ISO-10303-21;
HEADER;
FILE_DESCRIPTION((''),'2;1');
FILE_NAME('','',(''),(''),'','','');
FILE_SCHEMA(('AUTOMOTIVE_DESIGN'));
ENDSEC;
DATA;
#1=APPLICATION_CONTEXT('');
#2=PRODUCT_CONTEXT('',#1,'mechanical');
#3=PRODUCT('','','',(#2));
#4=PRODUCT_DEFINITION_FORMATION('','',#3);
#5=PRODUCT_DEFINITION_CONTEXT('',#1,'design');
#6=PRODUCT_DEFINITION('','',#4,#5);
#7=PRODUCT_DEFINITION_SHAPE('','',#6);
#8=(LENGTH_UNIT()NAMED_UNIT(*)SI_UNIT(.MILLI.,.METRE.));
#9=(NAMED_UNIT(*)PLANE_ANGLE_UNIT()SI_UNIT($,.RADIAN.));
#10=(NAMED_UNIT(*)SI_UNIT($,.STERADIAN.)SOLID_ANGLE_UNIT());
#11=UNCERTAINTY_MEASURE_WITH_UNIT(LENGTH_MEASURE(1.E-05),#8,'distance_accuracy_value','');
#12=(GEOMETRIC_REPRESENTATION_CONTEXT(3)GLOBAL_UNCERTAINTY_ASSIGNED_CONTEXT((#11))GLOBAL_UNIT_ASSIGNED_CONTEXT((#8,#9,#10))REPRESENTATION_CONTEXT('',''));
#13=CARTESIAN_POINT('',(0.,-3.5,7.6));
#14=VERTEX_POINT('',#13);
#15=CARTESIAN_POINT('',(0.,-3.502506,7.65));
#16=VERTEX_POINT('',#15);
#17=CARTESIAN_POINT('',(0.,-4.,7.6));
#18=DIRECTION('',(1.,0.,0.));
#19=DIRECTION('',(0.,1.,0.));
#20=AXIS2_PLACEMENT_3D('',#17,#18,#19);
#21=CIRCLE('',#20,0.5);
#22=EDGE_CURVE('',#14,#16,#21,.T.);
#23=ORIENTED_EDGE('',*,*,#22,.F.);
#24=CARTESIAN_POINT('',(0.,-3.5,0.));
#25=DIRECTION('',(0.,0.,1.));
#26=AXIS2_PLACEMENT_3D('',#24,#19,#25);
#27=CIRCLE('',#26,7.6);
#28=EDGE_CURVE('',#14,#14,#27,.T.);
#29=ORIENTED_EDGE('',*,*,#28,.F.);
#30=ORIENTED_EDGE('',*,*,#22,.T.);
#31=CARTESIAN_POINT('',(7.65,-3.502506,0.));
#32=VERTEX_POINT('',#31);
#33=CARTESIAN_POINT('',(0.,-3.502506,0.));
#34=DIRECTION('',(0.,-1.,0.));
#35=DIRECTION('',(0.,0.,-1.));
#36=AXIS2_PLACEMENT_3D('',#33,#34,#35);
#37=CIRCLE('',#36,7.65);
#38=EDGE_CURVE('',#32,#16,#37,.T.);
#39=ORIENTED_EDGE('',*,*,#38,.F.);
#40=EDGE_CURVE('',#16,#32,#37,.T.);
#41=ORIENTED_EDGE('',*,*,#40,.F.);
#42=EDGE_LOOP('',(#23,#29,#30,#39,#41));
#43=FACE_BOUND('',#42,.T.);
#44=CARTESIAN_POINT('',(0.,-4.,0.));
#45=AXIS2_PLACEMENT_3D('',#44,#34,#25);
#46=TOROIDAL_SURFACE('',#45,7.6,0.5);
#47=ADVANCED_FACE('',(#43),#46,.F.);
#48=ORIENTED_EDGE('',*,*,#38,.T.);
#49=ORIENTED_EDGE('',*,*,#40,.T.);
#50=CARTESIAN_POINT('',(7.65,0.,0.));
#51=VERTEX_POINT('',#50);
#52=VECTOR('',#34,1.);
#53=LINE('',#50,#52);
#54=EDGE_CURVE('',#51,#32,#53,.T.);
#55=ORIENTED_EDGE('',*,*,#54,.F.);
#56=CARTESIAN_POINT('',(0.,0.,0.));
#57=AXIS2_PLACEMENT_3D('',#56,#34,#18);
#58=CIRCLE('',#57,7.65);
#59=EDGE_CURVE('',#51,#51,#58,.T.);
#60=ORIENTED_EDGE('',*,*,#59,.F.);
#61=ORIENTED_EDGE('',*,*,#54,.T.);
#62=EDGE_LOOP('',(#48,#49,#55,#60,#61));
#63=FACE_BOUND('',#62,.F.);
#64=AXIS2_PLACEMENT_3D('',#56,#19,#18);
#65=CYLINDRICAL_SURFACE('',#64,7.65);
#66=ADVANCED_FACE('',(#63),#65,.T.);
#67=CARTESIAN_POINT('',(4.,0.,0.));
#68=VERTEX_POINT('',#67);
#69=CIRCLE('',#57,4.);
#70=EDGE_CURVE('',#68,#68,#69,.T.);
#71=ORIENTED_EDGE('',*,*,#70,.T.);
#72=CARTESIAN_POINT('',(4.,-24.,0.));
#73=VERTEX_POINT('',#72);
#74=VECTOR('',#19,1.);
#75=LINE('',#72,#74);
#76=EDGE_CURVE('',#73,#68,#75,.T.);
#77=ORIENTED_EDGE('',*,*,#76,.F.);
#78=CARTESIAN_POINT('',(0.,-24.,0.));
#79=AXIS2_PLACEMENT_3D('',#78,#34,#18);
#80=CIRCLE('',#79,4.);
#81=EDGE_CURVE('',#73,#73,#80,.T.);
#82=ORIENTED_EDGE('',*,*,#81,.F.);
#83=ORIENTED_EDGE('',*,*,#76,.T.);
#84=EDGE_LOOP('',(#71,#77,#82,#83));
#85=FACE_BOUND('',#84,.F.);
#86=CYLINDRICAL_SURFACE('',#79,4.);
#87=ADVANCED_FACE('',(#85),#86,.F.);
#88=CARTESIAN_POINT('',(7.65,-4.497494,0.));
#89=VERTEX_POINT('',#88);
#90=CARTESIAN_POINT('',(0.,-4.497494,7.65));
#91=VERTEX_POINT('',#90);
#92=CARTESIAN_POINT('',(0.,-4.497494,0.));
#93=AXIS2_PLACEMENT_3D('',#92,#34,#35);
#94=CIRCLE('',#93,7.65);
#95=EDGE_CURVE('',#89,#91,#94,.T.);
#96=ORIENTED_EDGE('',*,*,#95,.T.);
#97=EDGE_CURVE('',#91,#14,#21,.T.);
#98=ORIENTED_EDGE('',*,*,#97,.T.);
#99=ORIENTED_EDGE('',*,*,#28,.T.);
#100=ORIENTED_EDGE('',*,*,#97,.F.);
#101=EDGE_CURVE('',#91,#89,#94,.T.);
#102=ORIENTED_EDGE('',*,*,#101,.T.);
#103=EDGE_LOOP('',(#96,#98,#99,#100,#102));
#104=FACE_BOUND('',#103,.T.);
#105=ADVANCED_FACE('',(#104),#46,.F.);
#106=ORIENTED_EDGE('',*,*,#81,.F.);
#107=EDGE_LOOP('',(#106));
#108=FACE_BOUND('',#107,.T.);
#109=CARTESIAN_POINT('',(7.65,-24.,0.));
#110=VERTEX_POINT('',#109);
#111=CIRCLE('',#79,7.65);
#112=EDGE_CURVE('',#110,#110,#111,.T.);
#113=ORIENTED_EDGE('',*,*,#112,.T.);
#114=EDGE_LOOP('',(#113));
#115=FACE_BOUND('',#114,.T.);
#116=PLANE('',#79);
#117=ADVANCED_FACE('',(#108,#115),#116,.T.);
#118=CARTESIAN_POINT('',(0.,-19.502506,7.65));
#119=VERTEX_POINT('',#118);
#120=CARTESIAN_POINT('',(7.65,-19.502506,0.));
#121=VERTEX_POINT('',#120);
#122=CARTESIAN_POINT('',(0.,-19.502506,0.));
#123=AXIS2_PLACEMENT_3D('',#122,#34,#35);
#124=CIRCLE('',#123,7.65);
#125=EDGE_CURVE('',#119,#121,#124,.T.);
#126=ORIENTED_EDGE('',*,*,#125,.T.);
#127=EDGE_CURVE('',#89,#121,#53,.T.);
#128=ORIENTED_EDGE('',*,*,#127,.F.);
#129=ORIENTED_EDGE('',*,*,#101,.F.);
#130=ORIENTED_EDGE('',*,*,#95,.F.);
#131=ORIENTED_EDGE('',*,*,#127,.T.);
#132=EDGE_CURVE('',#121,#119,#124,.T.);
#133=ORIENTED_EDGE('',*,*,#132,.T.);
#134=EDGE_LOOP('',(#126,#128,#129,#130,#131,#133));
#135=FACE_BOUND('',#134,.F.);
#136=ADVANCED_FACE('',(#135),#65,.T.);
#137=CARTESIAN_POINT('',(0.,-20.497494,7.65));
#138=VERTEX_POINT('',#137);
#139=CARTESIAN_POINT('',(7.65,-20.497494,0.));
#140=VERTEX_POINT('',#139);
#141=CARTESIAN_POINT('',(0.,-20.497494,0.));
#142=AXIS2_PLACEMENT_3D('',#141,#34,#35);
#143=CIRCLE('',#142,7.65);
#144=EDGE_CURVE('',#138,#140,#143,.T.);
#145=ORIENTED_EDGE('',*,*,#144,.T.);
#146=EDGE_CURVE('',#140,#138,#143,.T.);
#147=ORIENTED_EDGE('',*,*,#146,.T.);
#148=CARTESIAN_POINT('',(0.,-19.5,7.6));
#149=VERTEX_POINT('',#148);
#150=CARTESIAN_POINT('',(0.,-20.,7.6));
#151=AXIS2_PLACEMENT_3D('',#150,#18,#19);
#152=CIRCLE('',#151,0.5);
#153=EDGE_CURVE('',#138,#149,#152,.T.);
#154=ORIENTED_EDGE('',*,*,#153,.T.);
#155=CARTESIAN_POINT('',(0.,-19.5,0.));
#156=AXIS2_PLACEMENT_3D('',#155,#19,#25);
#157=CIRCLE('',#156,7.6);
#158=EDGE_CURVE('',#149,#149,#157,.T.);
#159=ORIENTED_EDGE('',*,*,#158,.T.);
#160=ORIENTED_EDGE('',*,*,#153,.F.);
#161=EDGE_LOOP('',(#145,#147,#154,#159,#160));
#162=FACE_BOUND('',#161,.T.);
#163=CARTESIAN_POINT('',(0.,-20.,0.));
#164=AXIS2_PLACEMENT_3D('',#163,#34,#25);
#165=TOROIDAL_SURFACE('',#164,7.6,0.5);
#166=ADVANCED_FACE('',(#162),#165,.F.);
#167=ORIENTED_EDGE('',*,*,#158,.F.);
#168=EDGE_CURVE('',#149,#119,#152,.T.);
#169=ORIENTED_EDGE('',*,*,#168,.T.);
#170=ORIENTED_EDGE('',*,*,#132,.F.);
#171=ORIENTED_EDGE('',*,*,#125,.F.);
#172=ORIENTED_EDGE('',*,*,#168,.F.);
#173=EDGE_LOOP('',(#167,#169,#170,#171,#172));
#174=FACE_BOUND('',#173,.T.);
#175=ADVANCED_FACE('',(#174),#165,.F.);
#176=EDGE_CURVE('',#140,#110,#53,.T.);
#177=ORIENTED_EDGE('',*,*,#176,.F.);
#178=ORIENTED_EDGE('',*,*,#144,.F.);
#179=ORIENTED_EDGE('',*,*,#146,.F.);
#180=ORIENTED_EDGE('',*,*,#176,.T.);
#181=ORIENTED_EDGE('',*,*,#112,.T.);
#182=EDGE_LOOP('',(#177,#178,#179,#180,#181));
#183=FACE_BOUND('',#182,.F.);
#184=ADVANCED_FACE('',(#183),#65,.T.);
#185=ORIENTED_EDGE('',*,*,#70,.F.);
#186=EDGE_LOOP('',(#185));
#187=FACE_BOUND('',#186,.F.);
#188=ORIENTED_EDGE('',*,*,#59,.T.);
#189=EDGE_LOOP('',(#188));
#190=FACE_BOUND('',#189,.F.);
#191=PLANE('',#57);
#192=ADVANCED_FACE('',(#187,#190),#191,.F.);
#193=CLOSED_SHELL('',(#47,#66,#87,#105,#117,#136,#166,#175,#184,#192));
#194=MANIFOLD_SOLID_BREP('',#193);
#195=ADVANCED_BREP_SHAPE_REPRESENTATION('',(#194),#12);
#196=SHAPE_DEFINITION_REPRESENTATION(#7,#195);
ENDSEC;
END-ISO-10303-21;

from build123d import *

# Parameters (mm, degrees)
F0_R     = 7.65
F1_DEPTH = 24
F2_R     = 4
F3_DEPTH = 25
F4_R     = 0.5


with BuildPart() as f1:
    # F0 (on Front) → F1 (new body)
    with BuildSketch(Plane.XZ):
        Circle(F0_R)
    extrude(amount=F1_DEPTH)

    # F2 (on face) → F3 (cut)
    with BuildSketch(Plane.XZ.offset(24)):
        Circle(F2_R)
    extrude(amount=-F3_DEPTH, mode=Mode.SUBTRACT)

    # F4 (on Right) → F6 (revolve, cut)
    with BuildSketch(Plane.YZ):
        with Locations((-20, 7.6)):
            Circle(F4_R)
        with Locations((-4, 7.6)):
            Circle(F4_R)
    revolve(axis=Axis((0, -7.984612, 0), (0, 1, 0)), mode=Mode.SUBTRACT)


solid = f1.part
